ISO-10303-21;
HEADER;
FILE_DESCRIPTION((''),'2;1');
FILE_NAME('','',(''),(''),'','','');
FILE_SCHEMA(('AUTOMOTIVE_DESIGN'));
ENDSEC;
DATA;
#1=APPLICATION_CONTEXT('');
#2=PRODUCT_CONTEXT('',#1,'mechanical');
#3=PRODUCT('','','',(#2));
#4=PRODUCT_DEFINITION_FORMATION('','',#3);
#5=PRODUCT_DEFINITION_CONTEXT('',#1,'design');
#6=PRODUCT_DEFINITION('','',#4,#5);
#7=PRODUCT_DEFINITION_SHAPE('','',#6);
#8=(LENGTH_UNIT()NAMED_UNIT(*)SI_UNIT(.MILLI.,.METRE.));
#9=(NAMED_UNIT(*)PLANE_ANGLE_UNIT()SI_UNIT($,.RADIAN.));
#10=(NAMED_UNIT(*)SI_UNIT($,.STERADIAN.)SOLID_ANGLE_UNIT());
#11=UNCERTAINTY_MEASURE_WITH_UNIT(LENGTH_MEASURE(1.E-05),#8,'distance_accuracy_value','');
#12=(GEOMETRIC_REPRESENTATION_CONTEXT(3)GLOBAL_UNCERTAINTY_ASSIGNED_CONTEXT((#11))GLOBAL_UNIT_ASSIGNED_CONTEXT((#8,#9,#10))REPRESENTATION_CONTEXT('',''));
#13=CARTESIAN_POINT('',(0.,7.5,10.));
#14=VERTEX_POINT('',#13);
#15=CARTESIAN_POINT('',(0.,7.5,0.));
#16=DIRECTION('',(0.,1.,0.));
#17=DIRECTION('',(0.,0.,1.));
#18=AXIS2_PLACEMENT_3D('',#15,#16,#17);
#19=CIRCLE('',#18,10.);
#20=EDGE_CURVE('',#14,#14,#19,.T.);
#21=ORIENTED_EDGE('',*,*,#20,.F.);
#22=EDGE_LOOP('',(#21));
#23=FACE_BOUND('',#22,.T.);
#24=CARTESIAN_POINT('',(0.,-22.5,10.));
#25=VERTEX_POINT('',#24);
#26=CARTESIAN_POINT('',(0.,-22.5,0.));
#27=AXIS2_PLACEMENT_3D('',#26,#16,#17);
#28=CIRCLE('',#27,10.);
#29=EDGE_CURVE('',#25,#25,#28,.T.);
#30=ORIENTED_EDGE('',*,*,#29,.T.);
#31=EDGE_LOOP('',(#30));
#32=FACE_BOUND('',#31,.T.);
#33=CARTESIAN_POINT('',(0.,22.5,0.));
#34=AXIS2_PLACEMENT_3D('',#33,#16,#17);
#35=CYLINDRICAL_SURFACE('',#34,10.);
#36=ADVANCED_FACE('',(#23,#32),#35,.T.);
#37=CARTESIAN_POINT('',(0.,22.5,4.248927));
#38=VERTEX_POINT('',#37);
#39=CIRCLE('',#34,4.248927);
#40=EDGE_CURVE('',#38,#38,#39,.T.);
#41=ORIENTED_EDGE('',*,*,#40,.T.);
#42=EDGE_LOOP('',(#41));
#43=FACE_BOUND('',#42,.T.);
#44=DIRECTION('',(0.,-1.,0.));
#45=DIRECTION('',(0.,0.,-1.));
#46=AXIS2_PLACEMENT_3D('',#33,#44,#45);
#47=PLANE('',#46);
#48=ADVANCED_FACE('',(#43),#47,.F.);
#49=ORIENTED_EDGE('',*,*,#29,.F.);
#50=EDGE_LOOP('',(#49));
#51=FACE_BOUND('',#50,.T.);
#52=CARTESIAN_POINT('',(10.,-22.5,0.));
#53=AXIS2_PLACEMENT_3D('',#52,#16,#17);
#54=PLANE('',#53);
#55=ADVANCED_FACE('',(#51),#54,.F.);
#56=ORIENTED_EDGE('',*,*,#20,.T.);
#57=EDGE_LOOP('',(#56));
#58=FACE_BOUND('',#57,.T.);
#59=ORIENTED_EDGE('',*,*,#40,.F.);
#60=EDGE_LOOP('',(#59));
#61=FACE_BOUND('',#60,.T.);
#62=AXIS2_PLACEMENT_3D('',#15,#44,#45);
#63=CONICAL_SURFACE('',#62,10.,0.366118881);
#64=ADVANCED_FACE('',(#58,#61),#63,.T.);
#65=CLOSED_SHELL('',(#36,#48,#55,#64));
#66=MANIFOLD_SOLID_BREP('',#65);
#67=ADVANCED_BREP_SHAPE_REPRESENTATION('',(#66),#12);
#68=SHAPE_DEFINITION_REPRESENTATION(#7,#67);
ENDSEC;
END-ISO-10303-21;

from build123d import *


with BuildPart() as part:
    # Sketch1 → Revolve1 (revolve)
    with BuildSketch(Plane.XY, mode=Mode.PRIVATE) as revolve1_sk:
        Polygon((0, 22.5), (4.248927039, 22.5), (10, 7.5), (10, -22.5), (0, -22.5), align=None)
    revolve(revolve1_sk.sketch.rotate(Axis((0, 22.5, 0), (0, -1, 0)), 90), axis=Axis((0, 22.5, 0), (0, -1, 0)))


solid = part.part
